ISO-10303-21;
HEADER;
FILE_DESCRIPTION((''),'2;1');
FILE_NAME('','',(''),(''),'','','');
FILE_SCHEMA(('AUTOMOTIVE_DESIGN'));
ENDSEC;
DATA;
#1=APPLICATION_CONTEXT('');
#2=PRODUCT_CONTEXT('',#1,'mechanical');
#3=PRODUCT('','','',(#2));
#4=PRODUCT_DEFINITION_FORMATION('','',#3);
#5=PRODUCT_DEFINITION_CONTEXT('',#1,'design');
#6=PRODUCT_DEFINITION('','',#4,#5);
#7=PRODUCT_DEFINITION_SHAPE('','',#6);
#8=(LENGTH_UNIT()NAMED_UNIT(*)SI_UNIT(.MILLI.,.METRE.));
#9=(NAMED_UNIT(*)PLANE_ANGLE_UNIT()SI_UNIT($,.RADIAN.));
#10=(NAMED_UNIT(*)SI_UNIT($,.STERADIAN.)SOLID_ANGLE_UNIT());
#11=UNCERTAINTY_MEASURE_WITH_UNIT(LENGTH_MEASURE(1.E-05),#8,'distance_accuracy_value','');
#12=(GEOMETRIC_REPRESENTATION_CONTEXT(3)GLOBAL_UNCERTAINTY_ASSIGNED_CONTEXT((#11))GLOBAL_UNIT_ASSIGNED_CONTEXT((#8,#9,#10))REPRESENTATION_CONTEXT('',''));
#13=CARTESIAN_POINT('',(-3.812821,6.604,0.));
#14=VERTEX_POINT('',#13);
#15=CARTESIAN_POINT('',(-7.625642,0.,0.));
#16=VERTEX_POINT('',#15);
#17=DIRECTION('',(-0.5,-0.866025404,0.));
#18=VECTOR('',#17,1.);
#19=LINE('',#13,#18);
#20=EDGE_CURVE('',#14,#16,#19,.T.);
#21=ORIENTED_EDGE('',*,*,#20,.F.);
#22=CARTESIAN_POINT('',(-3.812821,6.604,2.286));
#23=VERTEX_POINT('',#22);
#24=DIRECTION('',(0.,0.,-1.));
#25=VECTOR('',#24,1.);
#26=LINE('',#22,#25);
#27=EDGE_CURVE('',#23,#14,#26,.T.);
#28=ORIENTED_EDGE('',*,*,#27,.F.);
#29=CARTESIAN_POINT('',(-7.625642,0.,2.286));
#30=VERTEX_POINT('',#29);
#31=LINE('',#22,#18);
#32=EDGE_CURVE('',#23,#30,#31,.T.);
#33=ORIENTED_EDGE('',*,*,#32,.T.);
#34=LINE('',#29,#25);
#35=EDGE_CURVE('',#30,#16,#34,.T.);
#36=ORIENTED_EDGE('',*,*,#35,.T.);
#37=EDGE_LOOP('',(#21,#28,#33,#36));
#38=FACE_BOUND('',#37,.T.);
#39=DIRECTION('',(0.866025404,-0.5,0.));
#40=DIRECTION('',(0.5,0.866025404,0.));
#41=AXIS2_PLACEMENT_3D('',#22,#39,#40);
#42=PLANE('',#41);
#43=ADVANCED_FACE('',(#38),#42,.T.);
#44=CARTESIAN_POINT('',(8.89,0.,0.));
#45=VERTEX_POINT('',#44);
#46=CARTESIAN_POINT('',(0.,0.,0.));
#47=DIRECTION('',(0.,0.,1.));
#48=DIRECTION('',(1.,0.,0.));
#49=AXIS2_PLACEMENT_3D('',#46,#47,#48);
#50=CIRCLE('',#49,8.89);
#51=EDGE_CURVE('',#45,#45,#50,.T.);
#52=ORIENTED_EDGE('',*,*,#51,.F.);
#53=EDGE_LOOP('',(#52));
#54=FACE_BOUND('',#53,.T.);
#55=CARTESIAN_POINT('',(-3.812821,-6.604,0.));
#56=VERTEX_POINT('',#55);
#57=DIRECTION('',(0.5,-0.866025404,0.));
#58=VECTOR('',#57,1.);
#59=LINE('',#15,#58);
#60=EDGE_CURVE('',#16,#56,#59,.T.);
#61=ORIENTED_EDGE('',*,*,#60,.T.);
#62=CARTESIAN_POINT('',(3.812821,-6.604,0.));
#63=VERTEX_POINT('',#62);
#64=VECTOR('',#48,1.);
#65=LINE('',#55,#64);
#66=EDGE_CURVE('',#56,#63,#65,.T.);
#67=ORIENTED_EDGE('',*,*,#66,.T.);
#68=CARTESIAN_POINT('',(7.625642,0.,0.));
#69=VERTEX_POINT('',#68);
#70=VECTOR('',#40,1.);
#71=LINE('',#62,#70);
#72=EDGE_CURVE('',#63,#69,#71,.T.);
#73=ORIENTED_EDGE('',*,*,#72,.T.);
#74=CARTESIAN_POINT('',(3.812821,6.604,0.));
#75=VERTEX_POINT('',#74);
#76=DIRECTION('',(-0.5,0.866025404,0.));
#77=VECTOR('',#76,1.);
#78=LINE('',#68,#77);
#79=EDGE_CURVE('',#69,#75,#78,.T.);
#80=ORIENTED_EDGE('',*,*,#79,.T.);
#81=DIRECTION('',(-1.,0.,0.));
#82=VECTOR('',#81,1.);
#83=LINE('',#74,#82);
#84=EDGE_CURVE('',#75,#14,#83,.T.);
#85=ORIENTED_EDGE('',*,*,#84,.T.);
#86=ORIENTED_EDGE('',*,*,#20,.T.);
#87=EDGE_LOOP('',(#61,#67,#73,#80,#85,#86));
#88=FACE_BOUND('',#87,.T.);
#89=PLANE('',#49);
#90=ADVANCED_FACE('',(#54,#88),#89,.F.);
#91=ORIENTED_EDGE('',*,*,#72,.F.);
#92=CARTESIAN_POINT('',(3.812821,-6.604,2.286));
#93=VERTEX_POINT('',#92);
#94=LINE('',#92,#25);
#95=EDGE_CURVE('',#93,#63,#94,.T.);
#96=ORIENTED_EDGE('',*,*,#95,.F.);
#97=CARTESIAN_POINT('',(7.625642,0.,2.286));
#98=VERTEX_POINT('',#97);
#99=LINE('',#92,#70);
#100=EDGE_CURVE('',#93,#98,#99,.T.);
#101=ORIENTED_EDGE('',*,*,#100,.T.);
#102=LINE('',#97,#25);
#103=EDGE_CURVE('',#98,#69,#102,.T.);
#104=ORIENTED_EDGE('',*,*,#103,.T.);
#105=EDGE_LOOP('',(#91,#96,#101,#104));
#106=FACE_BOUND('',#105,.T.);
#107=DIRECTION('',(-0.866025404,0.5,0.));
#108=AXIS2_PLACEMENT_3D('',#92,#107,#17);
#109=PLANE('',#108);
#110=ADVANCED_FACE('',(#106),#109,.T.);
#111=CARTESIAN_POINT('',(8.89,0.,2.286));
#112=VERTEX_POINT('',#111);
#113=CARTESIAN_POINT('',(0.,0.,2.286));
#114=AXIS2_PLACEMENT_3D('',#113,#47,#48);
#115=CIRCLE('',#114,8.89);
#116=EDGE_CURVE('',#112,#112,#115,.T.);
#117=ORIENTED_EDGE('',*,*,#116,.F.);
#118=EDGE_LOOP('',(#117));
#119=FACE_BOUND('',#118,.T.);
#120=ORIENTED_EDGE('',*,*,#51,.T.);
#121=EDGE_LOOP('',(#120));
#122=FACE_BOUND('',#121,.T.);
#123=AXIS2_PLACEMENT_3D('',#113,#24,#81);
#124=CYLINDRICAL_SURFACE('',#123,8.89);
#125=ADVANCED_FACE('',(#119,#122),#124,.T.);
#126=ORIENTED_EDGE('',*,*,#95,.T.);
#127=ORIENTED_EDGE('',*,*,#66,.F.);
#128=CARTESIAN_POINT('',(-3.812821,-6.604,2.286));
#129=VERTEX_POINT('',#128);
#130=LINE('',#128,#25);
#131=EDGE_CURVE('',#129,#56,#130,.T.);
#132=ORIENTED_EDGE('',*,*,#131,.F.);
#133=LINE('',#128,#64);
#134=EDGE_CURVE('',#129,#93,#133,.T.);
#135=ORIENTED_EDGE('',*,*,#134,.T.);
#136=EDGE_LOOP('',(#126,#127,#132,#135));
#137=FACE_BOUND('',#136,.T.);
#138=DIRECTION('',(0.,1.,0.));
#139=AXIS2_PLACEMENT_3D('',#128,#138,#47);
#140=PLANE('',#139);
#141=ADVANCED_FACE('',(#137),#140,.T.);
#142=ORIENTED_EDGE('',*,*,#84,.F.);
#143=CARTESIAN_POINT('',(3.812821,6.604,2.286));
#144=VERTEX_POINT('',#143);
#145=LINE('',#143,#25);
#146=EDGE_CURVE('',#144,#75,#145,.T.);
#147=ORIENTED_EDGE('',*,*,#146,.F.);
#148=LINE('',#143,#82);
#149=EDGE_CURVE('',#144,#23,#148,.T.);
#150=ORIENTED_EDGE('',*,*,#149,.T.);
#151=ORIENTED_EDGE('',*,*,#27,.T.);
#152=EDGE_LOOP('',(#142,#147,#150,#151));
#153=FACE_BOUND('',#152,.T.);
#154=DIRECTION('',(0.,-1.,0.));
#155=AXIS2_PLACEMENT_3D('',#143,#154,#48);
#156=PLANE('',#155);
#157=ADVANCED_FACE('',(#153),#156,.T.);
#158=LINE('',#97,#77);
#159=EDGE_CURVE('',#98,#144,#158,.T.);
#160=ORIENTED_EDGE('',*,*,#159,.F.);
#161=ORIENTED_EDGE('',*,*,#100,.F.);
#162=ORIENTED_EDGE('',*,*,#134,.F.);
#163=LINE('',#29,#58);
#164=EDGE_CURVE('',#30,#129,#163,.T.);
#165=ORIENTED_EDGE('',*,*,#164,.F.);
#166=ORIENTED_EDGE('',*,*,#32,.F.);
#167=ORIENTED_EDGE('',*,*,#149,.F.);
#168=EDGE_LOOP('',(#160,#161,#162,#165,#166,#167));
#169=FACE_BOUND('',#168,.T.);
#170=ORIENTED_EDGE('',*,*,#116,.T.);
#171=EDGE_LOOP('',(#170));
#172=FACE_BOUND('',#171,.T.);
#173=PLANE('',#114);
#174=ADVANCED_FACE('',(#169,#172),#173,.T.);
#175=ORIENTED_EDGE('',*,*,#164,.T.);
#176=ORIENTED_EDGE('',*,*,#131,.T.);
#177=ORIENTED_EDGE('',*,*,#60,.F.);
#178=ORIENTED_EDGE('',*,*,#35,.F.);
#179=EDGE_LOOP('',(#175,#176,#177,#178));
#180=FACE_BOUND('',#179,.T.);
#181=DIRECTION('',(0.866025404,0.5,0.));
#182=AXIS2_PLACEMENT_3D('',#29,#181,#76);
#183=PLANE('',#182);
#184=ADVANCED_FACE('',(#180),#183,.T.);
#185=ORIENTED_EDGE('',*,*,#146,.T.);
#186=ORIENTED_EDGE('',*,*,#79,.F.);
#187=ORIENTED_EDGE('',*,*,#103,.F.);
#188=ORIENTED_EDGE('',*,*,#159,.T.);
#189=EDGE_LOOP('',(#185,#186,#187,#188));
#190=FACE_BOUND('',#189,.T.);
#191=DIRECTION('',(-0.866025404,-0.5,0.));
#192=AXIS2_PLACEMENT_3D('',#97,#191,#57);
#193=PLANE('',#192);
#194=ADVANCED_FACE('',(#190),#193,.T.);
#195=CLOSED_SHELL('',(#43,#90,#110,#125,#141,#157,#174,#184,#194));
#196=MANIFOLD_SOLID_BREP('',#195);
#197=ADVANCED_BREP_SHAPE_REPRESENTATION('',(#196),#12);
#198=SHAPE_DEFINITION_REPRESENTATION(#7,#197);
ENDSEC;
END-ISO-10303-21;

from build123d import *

# Parameters (mm, degrees)
SKETCH3_R           = 8.89
BOSS_EXTRUDE2_DEPTH = 2.286


with BuildPart() as part:
    # Sketch3 → Boss-Extrude2 (new body)
    with BuildSketch(Plane.XY):
        Circle(SKETCH3_R)
        Polygon((7.625642355, 0), (3.812821178, 6.604), (-3.812821178, 6.604), (-7.625642355, 0), (-3.812821178, -6.604), (3.812821178, -6.604), align=None, mode=Mode.SUBTRACT)
    extrude(amount=BOSS_EXTRUDE2_DEPTH)


solid = part.part
